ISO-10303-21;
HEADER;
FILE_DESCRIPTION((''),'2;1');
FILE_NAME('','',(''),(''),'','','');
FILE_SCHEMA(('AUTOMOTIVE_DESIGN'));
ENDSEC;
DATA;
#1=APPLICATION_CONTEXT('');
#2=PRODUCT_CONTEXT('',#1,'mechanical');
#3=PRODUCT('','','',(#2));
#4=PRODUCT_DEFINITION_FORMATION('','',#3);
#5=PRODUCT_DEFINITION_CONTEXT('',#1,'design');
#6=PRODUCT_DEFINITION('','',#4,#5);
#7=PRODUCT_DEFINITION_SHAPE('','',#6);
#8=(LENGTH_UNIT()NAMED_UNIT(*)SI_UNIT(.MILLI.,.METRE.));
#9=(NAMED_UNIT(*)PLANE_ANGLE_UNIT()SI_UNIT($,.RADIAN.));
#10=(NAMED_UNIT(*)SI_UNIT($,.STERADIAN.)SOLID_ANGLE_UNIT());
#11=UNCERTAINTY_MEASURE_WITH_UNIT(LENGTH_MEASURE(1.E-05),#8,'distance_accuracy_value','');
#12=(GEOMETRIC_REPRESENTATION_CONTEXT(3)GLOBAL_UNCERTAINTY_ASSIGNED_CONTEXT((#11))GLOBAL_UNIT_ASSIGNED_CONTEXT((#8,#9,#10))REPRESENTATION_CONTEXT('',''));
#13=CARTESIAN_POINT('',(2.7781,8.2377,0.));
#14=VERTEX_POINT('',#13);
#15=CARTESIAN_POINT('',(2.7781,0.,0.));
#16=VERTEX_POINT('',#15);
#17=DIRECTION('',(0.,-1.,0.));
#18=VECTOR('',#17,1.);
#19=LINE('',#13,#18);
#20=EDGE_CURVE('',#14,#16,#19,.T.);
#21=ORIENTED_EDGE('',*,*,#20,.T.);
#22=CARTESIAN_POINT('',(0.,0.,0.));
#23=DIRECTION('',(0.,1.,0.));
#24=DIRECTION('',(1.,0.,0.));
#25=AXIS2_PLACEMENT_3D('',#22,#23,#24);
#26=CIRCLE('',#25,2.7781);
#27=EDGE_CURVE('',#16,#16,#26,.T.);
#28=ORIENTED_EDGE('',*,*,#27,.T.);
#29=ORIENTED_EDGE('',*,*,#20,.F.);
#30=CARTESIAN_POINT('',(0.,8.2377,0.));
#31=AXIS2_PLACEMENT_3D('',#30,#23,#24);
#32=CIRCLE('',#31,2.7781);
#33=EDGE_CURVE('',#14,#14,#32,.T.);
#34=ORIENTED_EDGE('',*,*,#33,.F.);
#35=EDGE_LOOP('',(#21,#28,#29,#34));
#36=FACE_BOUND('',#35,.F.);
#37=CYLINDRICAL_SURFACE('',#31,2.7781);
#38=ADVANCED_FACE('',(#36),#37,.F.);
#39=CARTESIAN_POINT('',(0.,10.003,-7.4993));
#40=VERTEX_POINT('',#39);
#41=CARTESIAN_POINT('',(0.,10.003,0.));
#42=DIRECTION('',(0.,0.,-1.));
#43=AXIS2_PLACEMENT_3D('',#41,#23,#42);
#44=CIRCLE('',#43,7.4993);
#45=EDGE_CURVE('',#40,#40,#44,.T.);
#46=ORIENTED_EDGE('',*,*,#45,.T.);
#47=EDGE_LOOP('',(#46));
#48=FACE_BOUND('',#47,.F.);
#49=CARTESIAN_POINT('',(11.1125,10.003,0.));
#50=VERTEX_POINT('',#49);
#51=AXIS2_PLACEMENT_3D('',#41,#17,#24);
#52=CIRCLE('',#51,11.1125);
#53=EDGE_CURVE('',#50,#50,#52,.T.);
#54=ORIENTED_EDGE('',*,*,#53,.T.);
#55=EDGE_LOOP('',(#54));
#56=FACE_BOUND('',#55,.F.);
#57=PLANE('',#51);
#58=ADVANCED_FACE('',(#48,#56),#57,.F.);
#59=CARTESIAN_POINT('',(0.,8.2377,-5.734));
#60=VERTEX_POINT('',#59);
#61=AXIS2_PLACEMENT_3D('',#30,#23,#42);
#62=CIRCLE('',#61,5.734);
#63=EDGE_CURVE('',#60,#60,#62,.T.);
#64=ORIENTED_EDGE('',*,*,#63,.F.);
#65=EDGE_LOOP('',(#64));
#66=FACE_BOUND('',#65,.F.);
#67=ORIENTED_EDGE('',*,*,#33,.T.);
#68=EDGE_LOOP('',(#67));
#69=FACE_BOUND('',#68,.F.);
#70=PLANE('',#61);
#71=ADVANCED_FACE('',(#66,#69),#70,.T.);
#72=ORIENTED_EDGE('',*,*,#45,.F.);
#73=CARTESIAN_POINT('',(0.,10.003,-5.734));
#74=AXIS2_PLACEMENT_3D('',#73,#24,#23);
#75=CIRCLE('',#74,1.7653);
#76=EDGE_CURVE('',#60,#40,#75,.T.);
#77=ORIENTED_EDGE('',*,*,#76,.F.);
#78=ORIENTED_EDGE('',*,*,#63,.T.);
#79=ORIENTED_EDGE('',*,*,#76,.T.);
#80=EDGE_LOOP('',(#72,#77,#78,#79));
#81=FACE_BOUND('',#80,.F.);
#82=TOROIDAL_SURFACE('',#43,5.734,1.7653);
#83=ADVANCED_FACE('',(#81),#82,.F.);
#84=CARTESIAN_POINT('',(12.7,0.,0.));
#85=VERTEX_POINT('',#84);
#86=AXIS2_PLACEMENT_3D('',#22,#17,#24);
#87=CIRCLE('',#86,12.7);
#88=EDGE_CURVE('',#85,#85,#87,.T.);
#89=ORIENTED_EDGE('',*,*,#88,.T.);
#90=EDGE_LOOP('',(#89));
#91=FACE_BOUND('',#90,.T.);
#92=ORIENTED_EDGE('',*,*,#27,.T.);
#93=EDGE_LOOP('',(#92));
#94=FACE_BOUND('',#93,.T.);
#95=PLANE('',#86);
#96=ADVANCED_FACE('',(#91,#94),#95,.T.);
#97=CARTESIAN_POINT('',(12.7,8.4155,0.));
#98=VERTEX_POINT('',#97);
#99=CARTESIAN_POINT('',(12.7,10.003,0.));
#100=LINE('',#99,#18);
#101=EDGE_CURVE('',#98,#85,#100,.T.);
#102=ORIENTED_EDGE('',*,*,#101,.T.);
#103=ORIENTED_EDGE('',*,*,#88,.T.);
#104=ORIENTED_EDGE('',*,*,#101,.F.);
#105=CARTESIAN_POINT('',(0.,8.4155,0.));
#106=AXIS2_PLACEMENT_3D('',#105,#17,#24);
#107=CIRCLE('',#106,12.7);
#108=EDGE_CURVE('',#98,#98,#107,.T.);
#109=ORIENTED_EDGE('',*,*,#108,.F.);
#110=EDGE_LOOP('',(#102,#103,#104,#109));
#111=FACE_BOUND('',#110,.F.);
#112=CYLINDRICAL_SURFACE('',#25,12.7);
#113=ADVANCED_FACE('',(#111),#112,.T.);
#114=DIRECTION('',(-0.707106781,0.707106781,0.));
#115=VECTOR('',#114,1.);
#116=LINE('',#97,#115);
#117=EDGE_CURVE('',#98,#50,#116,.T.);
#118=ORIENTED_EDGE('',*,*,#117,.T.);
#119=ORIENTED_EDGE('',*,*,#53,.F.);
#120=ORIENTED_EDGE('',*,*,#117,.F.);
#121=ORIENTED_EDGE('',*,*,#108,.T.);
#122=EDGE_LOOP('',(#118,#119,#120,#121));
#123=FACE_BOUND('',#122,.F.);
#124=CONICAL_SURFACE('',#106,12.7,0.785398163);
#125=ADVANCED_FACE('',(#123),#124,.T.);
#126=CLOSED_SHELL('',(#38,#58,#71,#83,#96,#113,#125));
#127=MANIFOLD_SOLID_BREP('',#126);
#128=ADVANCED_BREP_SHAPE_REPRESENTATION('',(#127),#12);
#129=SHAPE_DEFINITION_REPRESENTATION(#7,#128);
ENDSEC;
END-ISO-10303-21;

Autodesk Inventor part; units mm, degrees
ref_plane "YZ Plane" through (0, 0, 0) normal (1, 0, 0) x (0, 1, 0)
ref_plane "XZ Plane" through (0, 0, 0) normal (0, 1, 0) x (-1, 0, 0)
ref_plane "XY Plane" through (0, 0, 0) normal (0, 0, 1) x (1, 0, 0)
sketch "Sketch1" plane through (0, 0, 0) normal (0, 0, 1) x (1, 0, 0)
  line L0 (0, 0) -> (0, 6.35)
  line L1 (12.7, 0) -> (0, 0)
  circle A0 centre (10.1178, 6.9428) radius 1.5875
  line L2 (0, 6.35) -> (8.6451, 6.35)
  line L3 (12.7, 0) -> (12.7, 6.35)
  line L4 (12.7, 6.35) -> (11.5905, 6.35)
  line L5 (9.525, 8.4155) -> (0, 8.4155)
  line L6 (0, 8.4155) -> (0, 6.35)
  line L7 (9.525, 8.4155) -> (11.5905, 6.35) construction
  line L8 (9.525, 8.4155) -> (9.525, 10.003)
  line L9 (9.525, 10.003) -> (0, 10.003)
  line L10 (0, 10.003) -> (0, 8.4155)
  line L11 (12.7, 6.35) -> (12.7, 10.003)
  line L12 (12.7, 10.003) -> (9.525, 10.003)
  dimension "d0" = 3.175
  dimension "d5" = 45
  dimension "d6" = 1.5875
  dimension "d7" = 3.175
  dimension "d8" = 6.35
  dimension "d14" = 2.921
  dimension "d37" = 12.7
revolve "Revolution1" add sketch "Sketch1" angle 360 about axis through (0, 10.003, 0) along (0, -1, 0)
sketch "Sketch8" plane through (0, 0, 0) normal (1, 0, 0) x (0, 1, 0)
  circle A0 centre (10.003, -5.734) radius 1.7653
  line L0 (10.003, 0) -> (8.2377, 0)
  line L1 (8.2377, 0) -> (8.2377, -5.734)
  line L2 (10.003, 13.6947) -> (10.003, -13.6947) projected
  line L3 (10.003, -5.734) -> (10.003, -3.9688) construction
  line L4 (-2.3537, 0) -> (14.1219, 0) projected
  point P0 (0, 0)
  dimension "d31" = 3.5306
  dimension "d32" = 3.9688
revolve "Revolution3" cut sketch "Sketch8" angle 360 about axis through (0, -10, 0) along (0, 1, 0)
sketch "Sketch9" plane through (0, 8.2377, 0) normal (0, 1, 0) x (1, 0, 0)
  circle A0 centre (0, 0) radius 2.7781
  dimension "d34" = 5.5563
extrude "Extrusion4" cut sketch "Sketch9" against normal through all
chamfer "Chamfer3" distance 1.5875 angle 45 1 edges at (-12.7, 10.003, 0)
properties part number "Diaphragme"
